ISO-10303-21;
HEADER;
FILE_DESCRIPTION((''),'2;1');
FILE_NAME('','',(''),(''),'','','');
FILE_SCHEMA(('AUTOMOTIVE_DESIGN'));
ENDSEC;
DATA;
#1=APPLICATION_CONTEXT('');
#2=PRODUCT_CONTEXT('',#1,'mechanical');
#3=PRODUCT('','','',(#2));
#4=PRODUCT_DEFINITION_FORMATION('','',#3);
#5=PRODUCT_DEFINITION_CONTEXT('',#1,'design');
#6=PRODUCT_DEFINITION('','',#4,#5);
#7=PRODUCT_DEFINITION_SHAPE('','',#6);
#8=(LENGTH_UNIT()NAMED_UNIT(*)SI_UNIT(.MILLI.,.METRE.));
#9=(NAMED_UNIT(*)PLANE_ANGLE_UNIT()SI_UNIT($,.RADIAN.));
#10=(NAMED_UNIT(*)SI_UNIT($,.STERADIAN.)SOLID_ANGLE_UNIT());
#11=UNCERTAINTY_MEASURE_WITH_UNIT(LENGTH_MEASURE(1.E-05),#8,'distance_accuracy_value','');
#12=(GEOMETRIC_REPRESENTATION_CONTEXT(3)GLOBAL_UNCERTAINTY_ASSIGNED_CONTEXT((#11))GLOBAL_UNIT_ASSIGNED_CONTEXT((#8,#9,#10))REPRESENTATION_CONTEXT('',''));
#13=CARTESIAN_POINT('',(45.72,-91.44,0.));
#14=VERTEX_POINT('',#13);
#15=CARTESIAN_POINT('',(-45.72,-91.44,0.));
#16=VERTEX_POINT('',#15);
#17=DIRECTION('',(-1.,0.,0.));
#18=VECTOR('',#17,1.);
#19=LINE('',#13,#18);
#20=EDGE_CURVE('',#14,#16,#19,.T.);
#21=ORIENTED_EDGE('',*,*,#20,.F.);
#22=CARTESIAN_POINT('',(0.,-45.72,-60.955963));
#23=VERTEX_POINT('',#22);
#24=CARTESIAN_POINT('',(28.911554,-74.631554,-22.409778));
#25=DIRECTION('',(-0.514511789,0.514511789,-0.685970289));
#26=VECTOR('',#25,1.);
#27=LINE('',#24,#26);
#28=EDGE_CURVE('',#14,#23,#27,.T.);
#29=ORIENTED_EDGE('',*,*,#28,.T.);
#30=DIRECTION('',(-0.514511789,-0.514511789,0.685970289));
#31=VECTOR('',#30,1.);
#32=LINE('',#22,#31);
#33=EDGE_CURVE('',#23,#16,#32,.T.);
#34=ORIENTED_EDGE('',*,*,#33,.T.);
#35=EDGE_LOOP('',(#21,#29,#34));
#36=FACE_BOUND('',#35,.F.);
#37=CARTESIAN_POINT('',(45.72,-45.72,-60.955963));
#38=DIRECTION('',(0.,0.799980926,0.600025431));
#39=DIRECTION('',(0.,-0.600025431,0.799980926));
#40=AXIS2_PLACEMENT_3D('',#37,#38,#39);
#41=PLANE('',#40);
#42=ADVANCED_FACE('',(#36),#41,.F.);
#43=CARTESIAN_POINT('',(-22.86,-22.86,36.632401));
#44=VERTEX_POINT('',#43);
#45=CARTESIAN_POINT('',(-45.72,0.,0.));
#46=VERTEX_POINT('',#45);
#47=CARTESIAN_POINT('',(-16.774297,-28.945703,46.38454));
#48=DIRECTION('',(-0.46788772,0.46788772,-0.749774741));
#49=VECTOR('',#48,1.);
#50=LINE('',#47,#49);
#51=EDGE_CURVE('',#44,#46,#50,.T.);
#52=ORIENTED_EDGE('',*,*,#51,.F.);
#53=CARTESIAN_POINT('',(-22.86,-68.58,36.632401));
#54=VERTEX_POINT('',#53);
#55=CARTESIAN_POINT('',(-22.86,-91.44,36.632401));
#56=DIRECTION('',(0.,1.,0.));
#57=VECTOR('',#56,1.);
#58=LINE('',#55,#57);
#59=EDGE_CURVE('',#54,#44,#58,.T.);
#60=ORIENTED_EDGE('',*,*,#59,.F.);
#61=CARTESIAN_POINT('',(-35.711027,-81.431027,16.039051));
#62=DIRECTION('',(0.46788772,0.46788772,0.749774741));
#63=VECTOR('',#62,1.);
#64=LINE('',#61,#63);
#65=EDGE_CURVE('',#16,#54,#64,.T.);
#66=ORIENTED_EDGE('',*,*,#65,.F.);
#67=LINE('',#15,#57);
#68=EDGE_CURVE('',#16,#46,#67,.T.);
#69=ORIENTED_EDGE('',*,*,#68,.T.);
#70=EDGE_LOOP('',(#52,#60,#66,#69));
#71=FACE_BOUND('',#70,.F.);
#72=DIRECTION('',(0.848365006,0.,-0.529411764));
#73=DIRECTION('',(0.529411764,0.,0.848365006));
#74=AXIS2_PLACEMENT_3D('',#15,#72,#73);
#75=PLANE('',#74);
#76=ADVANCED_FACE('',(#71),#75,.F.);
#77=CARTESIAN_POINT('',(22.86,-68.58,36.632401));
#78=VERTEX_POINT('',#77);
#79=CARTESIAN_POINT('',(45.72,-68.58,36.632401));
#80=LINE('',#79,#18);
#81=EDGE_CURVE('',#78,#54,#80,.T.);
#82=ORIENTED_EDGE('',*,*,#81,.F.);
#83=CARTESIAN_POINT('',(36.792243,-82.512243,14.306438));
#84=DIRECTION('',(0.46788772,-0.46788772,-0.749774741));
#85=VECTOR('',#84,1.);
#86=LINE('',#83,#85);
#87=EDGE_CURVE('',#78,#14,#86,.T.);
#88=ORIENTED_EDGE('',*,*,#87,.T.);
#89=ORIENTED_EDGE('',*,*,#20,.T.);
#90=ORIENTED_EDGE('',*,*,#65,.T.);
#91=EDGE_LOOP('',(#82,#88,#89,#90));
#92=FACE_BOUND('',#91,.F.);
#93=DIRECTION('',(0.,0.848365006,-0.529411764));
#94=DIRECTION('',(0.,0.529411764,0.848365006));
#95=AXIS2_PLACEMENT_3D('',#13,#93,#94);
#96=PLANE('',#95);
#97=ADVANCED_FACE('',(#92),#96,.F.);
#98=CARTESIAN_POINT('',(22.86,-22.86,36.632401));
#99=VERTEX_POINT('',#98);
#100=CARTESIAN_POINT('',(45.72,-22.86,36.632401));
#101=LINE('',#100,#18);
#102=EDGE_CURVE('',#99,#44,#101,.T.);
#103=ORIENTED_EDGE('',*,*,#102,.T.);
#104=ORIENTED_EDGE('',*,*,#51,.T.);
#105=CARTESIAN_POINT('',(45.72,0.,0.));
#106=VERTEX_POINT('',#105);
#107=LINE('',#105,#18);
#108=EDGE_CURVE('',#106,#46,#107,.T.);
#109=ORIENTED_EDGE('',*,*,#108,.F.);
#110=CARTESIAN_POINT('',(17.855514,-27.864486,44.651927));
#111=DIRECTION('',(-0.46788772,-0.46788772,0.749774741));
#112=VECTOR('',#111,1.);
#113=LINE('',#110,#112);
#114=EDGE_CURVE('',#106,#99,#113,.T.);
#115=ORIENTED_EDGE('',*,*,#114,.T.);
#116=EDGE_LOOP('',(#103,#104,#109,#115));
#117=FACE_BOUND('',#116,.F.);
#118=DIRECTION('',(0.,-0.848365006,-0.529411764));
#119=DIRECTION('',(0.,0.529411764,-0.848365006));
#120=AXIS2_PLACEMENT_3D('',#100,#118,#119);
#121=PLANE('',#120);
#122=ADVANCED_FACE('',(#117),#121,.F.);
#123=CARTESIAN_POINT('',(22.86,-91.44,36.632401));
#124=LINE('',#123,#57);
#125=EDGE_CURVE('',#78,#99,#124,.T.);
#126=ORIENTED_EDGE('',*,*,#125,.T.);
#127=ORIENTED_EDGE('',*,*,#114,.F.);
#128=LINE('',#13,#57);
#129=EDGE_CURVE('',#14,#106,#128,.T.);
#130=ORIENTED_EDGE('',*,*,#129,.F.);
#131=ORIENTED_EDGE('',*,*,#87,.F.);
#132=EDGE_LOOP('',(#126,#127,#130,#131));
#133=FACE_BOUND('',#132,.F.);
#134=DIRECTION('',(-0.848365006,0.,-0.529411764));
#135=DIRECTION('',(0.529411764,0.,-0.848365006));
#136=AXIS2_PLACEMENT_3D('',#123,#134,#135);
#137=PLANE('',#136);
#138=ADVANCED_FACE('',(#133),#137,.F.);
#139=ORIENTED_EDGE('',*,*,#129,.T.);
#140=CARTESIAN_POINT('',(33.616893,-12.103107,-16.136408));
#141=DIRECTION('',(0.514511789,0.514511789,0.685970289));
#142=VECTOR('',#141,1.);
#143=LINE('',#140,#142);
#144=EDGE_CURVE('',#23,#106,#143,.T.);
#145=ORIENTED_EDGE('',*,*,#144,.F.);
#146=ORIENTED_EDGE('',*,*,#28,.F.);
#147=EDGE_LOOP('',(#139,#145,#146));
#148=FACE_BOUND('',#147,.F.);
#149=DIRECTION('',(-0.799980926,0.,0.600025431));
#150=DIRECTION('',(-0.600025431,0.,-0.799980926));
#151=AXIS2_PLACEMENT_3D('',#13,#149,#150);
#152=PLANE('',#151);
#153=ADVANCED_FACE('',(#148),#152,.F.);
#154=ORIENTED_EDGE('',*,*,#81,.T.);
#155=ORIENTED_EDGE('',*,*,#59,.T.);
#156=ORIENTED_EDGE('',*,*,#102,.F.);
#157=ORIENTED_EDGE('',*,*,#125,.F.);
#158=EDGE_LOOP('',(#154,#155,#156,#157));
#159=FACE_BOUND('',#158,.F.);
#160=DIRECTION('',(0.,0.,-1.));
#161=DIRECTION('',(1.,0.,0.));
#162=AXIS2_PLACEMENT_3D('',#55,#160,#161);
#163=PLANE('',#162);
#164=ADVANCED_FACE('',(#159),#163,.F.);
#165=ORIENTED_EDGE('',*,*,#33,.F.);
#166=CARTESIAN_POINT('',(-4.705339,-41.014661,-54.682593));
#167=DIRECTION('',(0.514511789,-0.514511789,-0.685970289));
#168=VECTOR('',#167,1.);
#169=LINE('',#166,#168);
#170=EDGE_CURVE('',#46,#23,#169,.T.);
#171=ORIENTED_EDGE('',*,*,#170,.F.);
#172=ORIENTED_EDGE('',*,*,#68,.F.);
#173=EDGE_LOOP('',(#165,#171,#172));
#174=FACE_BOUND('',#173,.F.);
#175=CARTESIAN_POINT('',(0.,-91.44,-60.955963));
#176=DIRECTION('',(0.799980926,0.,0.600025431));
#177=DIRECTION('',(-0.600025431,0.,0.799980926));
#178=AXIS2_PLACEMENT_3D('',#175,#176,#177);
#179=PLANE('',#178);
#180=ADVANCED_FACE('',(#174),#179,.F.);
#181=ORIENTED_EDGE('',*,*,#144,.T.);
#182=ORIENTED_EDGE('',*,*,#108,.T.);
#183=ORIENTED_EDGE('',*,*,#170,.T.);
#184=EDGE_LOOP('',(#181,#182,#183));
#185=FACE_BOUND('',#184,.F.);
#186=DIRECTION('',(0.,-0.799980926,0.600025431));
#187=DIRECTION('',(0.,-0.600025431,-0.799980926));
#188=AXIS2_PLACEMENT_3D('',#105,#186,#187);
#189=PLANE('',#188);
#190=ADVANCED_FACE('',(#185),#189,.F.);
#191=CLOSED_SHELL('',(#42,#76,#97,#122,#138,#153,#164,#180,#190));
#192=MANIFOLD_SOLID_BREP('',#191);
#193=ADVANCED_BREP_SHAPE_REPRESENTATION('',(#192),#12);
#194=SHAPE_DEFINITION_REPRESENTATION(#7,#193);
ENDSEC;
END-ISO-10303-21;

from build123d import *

# Parameters (mm, degrees)
F0_W     = 91.44
F0_H     = 116.84
F1_DEPTH = 91.44
F4_DEPTH = 127
F5_DEPTH = 152.4


with BuildPart() as f1:
    # F0 (on Front) → F1 (new body)
    with BuildSketch(Plane.XZ):
        with Locations((0, -2.535963)):
            Rectangle(F0_W, F0_H)
    extrude(amount=F1_DEPTH)

    # F2 (on face) → F4 (cut)
    with BuildSketch(Plane.XZ.offset(91.44)):
        Polygon((-45.72, 55.884037), (-45.72, 0), (-22.86, 36.632401), (22.86, 36.632401), (45.72, 0), (45.72, 55.884037), align=None)
        Polygon((45.72, 0), (0, -60.955963), (45.72, -60.955963), align=None)
        Polygon((-45.72, -60.955963), (0, -60.955963), (-45.72, 0), align=None)
    extrude(amount=-F4_DEPTH, mode=Mode.SUBTRACT)

    # F3 (on face) → F5 (cut)
    with BuildSketch(Plane.YZ.offset(45.72)):
        Polygon((-91.44, 55.884037), (-91.44, 0), (-68.58, 36.632401), (-22.86, 36.632401), (0, 0), (0, 55.884037), align=None)
        Polygon((0, 0), (-45.72, -60.955963), (0, -60.955963), align=None)
        Polygon((-91.44, -60.955963), (-45.72, -60.955963), (-91.44, 0), align=None)
    extrude(amount=-F5_DEPTH, mode=Mode.SUBTRACT)


solid = f1.part
